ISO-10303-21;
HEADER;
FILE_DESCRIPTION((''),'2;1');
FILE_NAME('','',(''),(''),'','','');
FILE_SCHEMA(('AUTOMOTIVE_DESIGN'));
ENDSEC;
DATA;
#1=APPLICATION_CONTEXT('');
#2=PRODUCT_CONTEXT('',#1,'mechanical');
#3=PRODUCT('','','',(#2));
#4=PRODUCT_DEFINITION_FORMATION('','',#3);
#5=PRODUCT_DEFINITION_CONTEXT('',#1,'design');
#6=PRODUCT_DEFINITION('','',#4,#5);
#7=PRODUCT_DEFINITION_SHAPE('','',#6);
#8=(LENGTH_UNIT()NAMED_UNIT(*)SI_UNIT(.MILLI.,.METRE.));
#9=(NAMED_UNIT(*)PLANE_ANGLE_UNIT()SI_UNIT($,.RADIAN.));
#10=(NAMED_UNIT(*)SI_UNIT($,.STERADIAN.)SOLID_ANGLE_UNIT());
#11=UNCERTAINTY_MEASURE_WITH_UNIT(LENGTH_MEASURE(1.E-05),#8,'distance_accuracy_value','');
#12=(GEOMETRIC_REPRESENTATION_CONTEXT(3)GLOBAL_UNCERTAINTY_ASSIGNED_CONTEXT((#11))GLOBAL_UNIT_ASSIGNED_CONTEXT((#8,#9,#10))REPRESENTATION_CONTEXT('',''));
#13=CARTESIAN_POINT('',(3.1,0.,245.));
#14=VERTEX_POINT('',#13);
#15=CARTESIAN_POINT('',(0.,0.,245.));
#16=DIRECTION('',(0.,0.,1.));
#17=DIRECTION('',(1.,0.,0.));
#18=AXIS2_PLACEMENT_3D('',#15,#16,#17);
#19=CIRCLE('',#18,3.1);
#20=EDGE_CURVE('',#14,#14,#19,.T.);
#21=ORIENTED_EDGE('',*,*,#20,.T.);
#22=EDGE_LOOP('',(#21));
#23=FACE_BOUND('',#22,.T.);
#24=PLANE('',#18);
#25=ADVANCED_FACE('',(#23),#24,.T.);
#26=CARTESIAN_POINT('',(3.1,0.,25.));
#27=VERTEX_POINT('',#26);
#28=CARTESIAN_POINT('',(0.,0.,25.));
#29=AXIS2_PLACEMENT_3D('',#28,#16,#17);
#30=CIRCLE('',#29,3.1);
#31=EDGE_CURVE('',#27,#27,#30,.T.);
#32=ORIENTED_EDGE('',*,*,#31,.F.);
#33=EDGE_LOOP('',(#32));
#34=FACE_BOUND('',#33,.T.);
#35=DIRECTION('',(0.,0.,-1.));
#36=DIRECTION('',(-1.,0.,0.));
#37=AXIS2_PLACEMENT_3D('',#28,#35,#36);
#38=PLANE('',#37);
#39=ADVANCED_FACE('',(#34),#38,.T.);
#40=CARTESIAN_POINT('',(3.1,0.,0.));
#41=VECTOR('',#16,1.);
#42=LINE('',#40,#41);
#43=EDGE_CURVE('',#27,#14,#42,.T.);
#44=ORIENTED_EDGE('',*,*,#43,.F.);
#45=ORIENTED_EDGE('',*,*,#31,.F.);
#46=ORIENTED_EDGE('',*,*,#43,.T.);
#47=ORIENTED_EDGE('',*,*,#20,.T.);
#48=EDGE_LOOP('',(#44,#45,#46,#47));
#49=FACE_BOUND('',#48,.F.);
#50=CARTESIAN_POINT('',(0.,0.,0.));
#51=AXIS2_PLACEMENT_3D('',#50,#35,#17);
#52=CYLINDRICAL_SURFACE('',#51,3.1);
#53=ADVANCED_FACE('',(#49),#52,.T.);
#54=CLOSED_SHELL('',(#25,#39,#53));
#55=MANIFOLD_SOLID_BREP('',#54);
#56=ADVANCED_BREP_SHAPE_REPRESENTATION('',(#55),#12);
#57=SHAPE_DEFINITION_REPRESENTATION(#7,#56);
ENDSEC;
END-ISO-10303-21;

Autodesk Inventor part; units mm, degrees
ref_plane "YZ Plane" through (0, 0, 0) normal (1, 0, 0) x (0, 1, 0)
ref_plane "XZ Plane" through (0, 0, 0) normal (0, 1, 0) x (-1, 0, 0)
ref_plane "XY Plane" through (0, 0, 0) normal (0, 0, 1) x (1, 0, 0)
sketch "Эскиз1" plane through (0, 0, 0) normal (0, 0, 1) x (1, 0, 0)
  circle A0 centre (0, 0) radius 3.1
  dimension "d0" = 6.2
extrude "Выдавливание1" add sketch "Эскиз1" along normal blind 245
sketch "Эскиз2" plane through (0, 0, 0) normal (0, 0, -1) x (-1, 0, 0)
  circle A0 centre (0, 0) radius 3.1 projected
extrude "Выдавливание2" cut sketch "Эскиз2" against normal blind 25
properties part number "вал 25-26"
